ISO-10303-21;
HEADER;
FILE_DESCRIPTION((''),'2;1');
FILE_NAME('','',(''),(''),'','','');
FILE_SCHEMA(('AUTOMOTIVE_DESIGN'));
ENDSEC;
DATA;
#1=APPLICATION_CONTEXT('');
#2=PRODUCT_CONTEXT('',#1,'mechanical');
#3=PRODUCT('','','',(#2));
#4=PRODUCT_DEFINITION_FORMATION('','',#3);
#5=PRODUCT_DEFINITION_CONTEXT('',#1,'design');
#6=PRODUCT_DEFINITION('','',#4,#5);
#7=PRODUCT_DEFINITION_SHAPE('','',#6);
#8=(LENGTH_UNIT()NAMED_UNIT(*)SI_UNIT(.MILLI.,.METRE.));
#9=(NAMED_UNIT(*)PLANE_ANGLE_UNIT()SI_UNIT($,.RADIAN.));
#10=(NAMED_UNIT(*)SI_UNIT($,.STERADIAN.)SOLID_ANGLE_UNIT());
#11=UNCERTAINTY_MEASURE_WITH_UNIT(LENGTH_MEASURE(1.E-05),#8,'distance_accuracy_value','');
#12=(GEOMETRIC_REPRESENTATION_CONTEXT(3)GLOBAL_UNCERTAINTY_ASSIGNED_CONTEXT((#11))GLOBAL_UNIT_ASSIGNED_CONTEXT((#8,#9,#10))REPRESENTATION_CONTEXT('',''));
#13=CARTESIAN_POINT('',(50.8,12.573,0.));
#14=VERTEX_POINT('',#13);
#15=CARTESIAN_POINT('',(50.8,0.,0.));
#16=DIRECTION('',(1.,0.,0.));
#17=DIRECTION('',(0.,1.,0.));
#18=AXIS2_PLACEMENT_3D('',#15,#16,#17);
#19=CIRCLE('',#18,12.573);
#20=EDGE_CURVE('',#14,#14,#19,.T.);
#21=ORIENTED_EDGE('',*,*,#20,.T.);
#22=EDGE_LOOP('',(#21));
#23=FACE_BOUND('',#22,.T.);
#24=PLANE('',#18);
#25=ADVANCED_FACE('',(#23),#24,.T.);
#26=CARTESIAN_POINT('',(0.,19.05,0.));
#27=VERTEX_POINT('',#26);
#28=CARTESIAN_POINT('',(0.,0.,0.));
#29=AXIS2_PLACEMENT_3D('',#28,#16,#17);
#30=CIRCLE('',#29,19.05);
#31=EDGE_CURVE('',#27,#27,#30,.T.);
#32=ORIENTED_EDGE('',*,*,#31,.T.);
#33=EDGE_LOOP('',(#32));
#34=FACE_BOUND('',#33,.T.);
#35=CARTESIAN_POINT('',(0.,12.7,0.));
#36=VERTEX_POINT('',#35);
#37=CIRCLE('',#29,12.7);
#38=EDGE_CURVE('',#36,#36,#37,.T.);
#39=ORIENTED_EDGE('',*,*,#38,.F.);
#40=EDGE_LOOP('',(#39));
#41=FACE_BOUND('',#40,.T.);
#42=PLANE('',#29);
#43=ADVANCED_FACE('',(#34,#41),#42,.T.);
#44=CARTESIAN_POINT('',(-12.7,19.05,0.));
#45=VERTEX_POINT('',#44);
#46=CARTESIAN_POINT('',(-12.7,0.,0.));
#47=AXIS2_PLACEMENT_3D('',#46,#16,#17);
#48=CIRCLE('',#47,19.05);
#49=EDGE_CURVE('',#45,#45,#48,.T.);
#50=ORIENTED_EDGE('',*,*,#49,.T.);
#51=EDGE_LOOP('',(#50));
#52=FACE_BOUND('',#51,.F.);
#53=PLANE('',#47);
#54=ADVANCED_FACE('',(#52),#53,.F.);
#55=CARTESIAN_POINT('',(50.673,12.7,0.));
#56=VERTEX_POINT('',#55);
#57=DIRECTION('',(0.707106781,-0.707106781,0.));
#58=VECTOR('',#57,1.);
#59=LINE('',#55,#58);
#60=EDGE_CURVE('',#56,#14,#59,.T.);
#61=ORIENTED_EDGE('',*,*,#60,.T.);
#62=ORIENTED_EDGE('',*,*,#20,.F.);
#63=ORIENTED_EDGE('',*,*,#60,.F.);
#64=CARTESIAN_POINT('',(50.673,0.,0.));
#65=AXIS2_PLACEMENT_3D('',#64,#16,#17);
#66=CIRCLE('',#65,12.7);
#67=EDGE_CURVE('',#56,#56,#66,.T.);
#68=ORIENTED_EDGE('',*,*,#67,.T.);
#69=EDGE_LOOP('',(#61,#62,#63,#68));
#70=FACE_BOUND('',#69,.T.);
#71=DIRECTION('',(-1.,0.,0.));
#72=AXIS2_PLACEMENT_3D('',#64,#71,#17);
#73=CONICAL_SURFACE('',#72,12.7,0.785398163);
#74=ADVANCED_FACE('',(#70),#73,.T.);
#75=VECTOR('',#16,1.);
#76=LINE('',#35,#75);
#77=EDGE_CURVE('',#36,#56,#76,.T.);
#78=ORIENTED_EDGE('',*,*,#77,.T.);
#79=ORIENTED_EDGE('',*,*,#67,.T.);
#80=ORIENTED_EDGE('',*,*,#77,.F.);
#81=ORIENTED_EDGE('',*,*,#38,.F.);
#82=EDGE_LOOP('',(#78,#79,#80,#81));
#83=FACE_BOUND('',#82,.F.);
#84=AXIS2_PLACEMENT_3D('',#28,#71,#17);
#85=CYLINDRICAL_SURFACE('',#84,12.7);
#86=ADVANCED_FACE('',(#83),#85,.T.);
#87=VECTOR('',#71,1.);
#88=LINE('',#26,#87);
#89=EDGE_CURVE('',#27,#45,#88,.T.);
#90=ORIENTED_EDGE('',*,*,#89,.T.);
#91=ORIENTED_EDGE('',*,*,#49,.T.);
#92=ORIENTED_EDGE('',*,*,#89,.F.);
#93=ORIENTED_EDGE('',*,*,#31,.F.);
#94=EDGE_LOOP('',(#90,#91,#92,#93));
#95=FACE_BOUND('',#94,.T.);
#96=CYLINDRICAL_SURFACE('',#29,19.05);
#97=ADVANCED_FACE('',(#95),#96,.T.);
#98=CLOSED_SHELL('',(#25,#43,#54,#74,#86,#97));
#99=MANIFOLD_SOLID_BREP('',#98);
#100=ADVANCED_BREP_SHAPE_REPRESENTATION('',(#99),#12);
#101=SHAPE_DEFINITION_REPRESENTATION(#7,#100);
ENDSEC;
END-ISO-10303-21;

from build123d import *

# Parameters (mm, degrees)
F0_R     = 19.05
F1_DEPTH = 12.7
F2_R     = 12.7
F3_DEPTH = 50.8
F4_SIZE  = 0.127


with BuildPart() as f1:
    # F0 (on Right) → F1 (new body)
    with BuildSketch(Plane.YZ):
        Circle(F0_R)
    extrude(amount=-F1_DEPTH)

    # F2 (on face) → F3 (join)
    with BuildSketch(Plane.YZ):
        Circle(F2_R)
    extrude(amount=F3_DEPTH)

    # F4
    f4_edges = [f1.edges().sort_by_distance(p)[0] for p in [
        (50.8, -12.7, 0),
    ]]
    chamfer(f4_edges, length=F4_SIZE)


solid = f1.part
